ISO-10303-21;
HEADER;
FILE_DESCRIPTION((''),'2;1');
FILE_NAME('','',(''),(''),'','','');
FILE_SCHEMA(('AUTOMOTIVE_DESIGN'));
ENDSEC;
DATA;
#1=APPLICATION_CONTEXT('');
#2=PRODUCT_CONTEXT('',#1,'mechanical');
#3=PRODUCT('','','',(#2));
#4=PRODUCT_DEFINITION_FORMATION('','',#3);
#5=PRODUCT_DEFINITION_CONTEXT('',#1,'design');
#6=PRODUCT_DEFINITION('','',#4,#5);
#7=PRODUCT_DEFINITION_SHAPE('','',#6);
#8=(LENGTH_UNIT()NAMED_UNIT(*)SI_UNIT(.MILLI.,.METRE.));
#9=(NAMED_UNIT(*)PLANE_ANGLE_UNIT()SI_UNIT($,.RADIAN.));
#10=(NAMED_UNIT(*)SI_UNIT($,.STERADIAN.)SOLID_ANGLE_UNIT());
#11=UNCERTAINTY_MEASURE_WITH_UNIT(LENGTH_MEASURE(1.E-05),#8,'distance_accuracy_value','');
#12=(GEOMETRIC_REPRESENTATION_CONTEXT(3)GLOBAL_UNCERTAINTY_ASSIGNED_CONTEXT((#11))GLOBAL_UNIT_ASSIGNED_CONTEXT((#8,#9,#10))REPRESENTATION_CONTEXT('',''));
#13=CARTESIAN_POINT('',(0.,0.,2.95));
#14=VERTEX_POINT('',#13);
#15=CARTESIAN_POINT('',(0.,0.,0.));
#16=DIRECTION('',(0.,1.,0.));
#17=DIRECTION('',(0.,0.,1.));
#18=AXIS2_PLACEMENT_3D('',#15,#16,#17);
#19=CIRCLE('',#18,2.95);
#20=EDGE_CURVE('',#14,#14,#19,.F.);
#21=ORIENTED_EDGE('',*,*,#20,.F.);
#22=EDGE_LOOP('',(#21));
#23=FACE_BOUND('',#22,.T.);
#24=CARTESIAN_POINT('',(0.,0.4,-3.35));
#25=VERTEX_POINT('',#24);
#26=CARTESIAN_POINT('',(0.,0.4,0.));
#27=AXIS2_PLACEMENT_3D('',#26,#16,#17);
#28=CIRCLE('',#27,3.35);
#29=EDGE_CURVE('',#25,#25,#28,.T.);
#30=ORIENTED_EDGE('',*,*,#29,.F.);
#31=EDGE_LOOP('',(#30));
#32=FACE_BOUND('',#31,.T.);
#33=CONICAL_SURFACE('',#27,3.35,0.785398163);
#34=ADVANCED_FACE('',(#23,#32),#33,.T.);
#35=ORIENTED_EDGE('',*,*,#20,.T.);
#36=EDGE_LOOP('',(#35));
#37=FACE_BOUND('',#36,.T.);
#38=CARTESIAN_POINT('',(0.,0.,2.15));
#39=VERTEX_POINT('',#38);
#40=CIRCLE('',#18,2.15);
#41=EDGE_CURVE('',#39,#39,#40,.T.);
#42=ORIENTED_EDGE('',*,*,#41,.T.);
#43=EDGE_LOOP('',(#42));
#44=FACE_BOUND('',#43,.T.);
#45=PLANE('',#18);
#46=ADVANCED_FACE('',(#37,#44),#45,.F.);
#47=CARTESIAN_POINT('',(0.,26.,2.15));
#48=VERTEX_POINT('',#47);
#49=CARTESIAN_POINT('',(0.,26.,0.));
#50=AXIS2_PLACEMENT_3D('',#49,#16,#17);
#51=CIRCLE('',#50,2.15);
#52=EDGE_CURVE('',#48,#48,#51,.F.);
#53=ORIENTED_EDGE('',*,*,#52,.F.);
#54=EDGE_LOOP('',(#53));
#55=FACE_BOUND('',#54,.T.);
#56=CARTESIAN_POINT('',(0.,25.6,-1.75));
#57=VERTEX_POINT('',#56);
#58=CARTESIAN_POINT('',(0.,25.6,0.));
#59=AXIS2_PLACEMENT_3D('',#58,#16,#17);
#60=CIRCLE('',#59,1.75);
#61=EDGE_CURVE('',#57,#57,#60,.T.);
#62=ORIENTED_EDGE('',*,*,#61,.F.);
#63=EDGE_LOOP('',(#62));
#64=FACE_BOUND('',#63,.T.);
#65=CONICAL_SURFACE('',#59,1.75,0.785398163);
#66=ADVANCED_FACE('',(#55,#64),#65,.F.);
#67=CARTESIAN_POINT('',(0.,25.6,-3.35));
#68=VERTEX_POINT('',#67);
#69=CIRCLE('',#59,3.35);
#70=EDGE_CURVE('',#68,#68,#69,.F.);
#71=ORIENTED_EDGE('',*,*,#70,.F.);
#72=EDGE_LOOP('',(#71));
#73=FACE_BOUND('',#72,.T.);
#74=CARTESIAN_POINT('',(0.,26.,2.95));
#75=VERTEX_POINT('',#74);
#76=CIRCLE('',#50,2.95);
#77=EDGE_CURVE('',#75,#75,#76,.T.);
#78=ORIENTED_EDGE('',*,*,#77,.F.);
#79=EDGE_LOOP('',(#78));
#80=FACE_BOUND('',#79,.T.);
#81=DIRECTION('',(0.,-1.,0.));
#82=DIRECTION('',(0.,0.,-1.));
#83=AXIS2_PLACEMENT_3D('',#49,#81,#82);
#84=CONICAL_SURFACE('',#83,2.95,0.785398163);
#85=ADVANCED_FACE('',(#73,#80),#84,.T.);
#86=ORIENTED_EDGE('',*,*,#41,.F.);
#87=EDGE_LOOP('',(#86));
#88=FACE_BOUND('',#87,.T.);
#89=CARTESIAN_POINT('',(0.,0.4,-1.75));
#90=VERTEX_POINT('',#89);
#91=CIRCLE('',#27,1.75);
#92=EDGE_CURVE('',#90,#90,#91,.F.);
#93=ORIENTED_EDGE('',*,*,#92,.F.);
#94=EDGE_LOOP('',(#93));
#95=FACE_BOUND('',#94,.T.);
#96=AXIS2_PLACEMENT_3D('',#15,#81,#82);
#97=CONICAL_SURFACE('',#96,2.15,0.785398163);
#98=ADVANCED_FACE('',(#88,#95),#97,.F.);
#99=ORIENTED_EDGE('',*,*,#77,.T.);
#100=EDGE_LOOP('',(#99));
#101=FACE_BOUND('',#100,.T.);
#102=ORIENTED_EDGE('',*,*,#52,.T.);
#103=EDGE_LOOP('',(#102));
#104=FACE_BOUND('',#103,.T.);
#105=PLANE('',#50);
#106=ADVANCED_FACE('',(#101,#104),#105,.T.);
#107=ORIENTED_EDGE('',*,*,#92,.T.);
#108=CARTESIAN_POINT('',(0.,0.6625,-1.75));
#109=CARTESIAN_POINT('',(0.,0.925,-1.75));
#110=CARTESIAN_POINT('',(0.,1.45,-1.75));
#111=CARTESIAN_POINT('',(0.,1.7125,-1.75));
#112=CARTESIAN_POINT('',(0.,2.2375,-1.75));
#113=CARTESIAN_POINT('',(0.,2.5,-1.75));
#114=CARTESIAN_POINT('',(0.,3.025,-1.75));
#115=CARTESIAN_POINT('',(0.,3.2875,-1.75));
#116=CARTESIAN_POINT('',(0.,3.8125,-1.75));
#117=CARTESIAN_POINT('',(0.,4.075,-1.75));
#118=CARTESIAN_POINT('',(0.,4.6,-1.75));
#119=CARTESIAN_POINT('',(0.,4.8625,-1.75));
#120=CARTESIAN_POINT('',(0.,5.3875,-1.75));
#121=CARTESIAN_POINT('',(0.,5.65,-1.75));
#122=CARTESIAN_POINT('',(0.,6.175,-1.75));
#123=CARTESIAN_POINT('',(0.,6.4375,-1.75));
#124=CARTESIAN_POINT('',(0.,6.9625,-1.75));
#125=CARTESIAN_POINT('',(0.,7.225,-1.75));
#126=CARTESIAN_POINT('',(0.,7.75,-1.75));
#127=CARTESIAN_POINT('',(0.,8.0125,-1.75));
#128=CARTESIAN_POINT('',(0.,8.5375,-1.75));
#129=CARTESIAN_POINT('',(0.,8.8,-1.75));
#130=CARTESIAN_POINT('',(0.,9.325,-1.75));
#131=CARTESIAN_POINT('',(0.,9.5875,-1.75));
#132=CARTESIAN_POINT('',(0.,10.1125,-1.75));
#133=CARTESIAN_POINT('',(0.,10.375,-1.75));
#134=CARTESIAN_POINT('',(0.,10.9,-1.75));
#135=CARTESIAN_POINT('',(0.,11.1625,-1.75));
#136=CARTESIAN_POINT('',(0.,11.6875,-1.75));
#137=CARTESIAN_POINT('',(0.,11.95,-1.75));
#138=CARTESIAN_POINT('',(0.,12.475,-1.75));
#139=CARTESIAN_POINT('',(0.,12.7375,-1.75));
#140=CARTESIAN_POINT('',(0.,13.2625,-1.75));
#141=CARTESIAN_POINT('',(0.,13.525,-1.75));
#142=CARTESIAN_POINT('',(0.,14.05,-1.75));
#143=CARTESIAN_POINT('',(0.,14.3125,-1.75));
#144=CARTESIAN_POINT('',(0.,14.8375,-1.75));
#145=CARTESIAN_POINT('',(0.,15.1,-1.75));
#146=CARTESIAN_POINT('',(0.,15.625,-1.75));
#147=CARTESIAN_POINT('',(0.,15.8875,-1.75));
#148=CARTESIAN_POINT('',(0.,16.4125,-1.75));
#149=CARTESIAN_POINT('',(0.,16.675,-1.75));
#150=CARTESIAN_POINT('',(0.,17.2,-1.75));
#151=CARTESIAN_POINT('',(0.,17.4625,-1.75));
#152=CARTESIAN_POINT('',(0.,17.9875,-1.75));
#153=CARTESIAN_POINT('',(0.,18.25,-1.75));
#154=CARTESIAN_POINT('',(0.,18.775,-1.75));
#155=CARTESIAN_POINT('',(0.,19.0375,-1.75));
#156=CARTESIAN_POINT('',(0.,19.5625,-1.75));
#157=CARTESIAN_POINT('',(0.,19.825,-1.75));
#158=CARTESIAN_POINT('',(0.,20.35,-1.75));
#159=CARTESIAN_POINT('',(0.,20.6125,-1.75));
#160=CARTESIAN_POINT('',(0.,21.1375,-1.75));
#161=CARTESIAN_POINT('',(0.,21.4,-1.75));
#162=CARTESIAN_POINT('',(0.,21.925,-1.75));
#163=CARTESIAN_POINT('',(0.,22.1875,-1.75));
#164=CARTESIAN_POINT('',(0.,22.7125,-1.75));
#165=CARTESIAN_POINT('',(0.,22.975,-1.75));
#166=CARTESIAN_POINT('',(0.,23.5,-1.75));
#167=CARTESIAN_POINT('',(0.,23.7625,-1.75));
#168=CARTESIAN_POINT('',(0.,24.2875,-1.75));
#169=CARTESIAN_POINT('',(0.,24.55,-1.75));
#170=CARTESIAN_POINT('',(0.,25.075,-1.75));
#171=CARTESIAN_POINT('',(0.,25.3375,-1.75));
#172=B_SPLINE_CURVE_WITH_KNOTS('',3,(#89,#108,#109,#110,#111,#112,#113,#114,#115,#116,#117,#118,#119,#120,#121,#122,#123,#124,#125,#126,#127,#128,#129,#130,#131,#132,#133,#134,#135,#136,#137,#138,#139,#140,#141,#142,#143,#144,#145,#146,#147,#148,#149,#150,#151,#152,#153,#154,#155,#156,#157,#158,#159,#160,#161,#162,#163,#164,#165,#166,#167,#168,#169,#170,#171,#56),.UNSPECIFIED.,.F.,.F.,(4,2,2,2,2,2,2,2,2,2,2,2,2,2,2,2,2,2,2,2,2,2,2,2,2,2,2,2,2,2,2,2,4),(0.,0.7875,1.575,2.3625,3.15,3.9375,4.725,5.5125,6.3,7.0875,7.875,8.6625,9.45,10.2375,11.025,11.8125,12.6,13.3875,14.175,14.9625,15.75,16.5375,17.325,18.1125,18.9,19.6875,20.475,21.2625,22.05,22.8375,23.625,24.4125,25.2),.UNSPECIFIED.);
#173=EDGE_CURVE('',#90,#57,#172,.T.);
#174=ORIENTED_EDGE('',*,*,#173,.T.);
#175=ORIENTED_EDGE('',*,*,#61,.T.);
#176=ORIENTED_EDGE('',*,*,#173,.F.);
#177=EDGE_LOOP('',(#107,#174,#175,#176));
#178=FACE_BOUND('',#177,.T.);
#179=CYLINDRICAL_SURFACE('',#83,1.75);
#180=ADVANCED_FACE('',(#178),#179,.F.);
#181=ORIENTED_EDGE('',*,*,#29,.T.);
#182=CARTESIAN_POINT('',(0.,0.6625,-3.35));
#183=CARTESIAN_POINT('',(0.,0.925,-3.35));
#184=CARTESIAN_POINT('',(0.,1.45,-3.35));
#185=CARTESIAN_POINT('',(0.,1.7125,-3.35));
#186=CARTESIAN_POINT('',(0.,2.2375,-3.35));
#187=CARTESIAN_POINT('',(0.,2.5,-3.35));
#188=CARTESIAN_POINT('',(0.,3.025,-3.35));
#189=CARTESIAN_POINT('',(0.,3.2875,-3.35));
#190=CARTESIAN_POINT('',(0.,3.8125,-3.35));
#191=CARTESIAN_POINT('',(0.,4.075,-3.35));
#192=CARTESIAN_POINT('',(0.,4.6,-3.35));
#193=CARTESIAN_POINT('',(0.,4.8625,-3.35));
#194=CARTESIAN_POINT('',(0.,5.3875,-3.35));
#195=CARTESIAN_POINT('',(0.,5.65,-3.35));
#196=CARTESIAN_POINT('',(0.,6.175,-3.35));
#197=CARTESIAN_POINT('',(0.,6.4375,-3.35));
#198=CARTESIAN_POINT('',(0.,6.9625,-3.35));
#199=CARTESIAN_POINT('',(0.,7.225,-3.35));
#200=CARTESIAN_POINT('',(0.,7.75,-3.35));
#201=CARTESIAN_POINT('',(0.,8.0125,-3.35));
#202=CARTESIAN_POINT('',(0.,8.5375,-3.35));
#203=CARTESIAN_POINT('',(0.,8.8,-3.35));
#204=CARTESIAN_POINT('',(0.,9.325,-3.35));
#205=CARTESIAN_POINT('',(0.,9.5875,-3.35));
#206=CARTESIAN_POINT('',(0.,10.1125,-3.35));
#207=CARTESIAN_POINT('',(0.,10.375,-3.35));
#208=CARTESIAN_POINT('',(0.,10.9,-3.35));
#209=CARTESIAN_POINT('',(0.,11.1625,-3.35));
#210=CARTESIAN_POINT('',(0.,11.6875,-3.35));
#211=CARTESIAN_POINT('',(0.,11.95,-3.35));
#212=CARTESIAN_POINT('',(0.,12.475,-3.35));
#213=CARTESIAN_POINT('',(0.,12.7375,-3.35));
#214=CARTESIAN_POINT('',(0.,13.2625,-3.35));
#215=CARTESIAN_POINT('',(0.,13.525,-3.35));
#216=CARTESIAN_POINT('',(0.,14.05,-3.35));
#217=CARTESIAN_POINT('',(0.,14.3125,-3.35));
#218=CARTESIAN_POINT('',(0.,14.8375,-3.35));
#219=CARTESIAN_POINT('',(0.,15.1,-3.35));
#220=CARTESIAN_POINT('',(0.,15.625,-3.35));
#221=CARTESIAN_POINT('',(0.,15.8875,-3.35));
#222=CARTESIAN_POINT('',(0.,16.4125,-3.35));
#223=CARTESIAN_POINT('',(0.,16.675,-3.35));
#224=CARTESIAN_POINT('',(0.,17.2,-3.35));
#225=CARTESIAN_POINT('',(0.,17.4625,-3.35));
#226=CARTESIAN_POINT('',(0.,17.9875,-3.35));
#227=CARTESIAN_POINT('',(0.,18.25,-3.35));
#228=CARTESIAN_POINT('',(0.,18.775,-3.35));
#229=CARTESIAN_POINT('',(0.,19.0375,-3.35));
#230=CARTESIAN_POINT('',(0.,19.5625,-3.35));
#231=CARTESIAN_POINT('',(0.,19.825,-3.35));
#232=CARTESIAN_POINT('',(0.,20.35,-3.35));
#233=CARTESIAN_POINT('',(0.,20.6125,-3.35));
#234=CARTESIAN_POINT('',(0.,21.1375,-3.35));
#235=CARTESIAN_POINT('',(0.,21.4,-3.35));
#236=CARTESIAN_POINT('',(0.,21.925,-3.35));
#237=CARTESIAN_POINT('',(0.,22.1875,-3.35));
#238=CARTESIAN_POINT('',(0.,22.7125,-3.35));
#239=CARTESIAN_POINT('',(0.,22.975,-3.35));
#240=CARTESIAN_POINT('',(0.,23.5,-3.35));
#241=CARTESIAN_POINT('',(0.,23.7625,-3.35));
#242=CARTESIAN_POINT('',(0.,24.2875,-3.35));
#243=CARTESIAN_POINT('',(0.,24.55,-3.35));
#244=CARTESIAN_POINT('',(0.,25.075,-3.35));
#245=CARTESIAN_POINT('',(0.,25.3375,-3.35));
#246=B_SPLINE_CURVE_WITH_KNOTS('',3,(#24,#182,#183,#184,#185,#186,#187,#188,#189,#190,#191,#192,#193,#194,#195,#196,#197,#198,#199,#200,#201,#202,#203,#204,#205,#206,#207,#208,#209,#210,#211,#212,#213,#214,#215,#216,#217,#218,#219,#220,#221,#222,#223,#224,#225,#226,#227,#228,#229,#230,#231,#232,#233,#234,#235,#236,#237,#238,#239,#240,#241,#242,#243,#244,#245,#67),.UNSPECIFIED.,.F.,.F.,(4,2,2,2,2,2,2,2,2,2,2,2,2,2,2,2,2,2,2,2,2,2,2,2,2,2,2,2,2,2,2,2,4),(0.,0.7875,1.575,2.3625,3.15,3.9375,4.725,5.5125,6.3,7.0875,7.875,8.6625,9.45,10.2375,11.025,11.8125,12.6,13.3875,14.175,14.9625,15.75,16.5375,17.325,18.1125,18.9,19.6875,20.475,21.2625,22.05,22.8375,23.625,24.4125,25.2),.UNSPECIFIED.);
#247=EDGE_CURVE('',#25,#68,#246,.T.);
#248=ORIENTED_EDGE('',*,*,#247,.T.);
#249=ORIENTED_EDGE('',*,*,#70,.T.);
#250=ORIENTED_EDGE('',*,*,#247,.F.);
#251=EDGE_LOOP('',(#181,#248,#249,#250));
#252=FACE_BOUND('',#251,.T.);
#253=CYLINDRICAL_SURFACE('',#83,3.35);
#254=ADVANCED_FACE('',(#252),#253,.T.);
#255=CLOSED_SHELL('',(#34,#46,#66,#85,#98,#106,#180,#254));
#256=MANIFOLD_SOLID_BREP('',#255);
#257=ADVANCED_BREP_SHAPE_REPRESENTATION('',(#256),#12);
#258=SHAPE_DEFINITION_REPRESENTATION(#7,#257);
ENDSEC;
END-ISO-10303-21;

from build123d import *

# Parameters (mm, degrees)
SKETCH2_R           = 3.35
SKETCH2_R_2         = 1.75
BOSS_EXTRUDE1_DEPTH = 26
CHAMFER1_SIZE       = 0.4


with BuildPart() as part:
    # Sketch2 → Boss-Extrude1 (new body)
    with BuildSketch(Plane(origin=(0, 0, 0), x_dir=(1, 0, 0), z_dir=(0, 1, 0))):
        with Locations(Location((0, 0, 0), (0, 0, 90))):
            Circle(SKETCH2_R)
        with Locations(Location((0, 0, 0), (0, 0, 90))):
            Circle(SKETCH2_R_2, mode=Mode.SUBTRACT)
    extrude(amount=BOSS_EXTRUDE1_DEPTH)

    # Chamfer1
    chamfer1_edges = [part.edges().sort_by_distance(p)[0] for p in [
        (0, 0, 3.35),
        (0, 26, 3.35),
        (0, 0, 1.75),
        (0, 26, 1.75),
    ]]
    chamfer(chamfer1_edges, length=CHAMFER1_SIZE)


solid = part.part
